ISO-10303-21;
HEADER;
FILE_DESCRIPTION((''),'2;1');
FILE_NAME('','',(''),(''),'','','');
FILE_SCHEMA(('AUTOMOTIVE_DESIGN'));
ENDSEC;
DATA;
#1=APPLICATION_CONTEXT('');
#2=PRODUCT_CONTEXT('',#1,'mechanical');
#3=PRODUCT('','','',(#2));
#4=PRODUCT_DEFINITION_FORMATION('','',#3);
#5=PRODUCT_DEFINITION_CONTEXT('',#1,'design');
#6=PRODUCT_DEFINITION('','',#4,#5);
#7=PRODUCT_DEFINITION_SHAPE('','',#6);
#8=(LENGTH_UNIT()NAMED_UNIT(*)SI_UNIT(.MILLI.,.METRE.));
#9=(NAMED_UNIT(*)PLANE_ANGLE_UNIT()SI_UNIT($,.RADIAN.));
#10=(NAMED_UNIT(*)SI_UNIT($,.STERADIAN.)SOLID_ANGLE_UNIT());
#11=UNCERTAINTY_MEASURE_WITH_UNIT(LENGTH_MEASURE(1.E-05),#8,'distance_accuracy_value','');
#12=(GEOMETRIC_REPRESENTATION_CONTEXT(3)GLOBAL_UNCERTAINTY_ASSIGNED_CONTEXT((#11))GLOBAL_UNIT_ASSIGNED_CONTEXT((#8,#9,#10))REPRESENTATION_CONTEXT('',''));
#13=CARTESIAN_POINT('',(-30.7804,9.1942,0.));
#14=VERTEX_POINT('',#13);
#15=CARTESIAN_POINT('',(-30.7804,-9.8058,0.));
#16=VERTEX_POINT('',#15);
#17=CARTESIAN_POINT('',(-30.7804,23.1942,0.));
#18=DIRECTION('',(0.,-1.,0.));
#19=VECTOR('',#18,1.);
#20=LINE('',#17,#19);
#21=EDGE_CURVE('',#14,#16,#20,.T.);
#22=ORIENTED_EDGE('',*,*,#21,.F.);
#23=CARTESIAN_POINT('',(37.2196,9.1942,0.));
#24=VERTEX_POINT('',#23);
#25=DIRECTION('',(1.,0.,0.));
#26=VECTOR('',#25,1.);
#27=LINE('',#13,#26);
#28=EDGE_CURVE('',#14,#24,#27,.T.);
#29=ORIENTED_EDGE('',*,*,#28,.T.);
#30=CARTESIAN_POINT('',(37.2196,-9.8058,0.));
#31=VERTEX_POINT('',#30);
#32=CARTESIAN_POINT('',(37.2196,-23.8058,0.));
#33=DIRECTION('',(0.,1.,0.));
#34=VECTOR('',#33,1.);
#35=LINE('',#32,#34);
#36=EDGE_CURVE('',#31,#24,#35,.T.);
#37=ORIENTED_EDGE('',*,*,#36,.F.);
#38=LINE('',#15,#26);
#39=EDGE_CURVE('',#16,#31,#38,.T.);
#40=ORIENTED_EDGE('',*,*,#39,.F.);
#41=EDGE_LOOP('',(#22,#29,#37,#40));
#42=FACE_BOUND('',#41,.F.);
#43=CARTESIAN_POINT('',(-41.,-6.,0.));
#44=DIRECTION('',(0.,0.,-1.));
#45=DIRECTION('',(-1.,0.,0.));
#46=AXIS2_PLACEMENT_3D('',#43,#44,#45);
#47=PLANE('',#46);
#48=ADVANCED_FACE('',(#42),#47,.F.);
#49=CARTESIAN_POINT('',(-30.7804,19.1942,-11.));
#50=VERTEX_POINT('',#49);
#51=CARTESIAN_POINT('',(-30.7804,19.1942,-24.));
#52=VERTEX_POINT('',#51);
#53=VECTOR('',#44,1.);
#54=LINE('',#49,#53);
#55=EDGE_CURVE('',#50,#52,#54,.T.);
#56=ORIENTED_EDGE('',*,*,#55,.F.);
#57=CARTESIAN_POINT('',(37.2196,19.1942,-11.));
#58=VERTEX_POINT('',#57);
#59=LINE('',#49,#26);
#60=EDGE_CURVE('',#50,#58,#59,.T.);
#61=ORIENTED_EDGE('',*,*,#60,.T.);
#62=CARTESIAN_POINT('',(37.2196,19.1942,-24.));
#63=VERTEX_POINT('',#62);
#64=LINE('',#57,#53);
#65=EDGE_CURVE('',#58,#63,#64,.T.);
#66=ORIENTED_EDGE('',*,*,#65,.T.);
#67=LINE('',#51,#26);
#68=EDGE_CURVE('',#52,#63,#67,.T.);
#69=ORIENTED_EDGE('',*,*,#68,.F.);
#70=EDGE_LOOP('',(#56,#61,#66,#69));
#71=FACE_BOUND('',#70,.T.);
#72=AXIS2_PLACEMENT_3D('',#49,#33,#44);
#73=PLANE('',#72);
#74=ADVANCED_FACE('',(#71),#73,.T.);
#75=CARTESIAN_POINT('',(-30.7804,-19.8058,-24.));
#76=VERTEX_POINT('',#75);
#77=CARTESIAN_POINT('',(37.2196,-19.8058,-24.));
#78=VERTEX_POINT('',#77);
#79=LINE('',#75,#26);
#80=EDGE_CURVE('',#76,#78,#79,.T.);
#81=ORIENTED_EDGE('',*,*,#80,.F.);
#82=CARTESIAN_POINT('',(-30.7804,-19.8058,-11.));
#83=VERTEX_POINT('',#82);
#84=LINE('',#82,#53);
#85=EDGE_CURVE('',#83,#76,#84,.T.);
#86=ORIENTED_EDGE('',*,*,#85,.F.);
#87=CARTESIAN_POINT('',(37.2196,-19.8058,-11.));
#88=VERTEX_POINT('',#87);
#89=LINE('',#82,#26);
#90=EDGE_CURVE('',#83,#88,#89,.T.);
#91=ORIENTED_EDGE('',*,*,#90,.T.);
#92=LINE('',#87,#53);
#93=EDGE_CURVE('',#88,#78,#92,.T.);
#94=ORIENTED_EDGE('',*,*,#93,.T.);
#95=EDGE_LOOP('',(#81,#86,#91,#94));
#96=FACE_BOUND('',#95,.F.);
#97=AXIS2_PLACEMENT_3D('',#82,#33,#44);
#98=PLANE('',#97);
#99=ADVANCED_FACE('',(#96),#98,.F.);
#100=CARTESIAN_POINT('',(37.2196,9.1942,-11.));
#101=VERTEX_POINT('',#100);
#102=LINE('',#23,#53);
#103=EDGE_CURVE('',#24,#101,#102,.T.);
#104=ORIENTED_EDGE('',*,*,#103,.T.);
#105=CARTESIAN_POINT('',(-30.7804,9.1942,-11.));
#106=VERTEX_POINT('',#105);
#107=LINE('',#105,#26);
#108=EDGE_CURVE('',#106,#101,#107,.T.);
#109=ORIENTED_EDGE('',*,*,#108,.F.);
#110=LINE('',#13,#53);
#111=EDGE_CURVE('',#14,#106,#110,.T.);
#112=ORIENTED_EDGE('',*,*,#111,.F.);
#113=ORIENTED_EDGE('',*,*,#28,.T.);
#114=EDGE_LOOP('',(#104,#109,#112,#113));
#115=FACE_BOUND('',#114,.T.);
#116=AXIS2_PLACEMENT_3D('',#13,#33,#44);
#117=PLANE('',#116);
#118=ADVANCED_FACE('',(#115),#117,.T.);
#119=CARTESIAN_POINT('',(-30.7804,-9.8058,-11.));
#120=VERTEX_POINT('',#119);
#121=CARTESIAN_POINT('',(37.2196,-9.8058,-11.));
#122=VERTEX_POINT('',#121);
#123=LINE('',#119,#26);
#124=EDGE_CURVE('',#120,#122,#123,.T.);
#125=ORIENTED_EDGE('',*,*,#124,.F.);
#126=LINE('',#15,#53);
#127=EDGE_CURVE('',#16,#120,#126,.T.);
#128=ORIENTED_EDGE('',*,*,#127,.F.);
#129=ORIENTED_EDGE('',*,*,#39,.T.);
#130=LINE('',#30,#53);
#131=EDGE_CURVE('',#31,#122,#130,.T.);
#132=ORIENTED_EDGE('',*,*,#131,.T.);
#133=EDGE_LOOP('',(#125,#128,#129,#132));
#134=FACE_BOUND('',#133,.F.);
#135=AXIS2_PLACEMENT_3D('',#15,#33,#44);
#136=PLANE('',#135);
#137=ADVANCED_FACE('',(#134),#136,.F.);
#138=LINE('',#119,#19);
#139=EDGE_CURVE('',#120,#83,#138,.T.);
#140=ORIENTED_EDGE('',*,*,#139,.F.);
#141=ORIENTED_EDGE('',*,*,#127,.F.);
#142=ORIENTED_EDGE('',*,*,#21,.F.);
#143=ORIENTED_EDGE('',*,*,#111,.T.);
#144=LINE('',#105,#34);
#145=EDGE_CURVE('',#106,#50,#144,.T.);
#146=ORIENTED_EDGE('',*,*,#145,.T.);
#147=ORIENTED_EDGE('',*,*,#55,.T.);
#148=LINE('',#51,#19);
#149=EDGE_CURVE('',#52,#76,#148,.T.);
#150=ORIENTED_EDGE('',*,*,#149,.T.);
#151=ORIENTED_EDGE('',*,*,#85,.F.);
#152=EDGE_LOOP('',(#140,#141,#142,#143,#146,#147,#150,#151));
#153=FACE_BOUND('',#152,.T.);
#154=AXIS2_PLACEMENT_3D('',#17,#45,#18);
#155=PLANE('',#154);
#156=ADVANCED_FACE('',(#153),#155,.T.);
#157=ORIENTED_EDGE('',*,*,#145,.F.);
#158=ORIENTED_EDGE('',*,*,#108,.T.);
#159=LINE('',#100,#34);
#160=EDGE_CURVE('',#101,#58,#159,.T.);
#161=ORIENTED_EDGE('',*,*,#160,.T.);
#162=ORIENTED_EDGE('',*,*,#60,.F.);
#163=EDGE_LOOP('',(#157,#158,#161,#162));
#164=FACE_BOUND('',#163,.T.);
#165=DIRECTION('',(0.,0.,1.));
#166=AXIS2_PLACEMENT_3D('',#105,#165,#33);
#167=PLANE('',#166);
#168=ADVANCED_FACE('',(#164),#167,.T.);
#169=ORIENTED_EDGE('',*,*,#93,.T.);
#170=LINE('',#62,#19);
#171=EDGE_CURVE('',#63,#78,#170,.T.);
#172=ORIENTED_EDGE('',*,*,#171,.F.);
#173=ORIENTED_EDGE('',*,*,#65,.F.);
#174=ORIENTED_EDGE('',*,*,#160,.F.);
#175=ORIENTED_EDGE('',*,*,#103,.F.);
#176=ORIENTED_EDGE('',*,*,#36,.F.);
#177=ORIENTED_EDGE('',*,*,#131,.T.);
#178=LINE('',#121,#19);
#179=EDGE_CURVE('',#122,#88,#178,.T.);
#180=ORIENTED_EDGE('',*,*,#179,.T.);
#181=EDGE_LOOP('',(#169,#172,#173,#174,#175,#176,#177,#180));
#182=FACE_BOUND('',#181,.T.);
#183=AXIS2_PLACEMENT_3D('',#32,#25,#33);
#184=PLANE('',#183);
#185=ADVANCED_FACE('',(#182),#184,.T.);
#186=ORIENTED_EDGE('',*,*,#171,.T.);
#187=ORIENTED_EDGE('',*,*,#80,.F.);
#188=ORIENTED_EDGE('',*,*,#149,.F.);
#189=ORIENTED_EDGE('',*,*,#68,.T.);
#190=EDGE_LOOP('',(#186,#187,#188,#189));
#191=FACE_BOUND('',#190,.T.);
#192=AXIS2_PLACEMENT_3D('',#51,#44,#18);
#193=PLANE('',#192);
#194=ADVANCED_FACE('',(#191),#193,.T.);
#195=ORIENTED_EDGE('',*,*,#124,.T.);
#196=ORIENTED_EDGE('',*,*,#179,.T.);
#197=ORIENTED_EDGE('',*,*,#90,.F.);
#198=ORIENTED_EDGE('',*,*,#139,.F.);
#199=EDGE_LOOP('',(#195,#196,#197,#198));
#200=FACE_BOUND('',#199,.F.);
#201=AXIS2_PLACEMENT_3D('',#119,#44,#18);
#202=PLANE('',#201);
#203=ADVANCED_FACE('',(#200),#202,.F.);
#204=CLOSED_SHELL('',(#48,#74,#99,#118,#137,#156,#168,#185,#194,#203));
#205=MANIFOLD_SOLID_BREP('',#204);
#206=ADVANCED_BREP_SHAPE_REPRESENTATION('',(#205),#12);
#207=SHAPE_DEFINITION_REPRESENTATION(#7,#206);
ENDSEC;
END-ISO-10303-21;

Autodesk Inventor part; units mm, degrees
ref_plane "YZ Plane" through (0, 0, 0) normal (1, 0, 0) x (0, 1, 0)
ref_plane "XZ Plane" through (0, 0, 0) normal (0, 1, 0) x (-1, 0, 0)
ref_plane "XY Plane" through (0, 0, 0) normal (0, 0, 1) x (1, 0, 0)
sketch "Sketch1" plane through (-41, -6, 0) normal (0, 0, -1) x (-1, 0, 0)
  line L0 (-10.2196, -17.8058) -> (-78.2196, -17.8058)
  line L1 (-78.2196, -17.8058) -> (-78.2196, 29.1942)
  line L2 (-78.2196, 29.1942) -> (-10.2196, 29.1942)
  line L3 (-10.2196, 29.1942) -> (-10.2196, -17.8058)
  point P0 (-41, 6)
  dimension "d0" = 68
  dimension "d1" = 47
extrude "Extrusion4" add sketch "Sketch1" along normal blind 30
sketch "Sketch5" plane through (-30.7804, -23.8058, 0) normal (-1, 0, 0) x (0, 0, 1)
  line L0 (0, 47) -> (0, 0) projected
  line L1 (0, 0) -> (0, 14)
  line L2 (0, 47) -> (0, 33)
  line L3 (0, 14) -> (-11, 14)
  line L4 (-11, 14) -> (-11, 4)
  line L5 (0, 33) -> (-11, 33)
  line L6 (-11, 33) -> (-11, 43)
  line L7 (-11, 4) -> (-24, 4)
  line L8 (-11, 43) -> (-24, 43)
  line L9 (-24, 43) -> (-24, 4)
  line L10 (0, 14) -> (0, 33)
  line L11 (0, 14) -> (0, 0)
  line L12 (0, 0) -> (-30, 0) projected
  line L13 (-30, 47) -> (-30, 0) projected
  line L14 (-30, 0) -> (-30, 47)
  line L15 (-30, 47) -> (0, 47)
  line L16 (0, 47) -> (0, 33)
  line L17 (0, 33) -> (0, 47)
  line L18 (-30, 0) -> (0, 0)
  line L19 (0, 0) -> (0, 14)
  line L20 (0, 0) -> (0, 47)
  point P0 (0, 23.8058)
  dimension "d32" = 14
  dimension "d33" = 14
  dimension "d34" = 11
  dimension "d35" = 10
  dimension "d36" = 11
  dimension "d37" = 10
  dimension "d38" = 13
  dimension "d39" = 13
extrude "Extrusion5" cut sketch "Sketch5" against normal blind 68 contours L0 L5 L6 L8 L9 L7 L4 L3 L12 L13 L15
properties part number "Inferior"
